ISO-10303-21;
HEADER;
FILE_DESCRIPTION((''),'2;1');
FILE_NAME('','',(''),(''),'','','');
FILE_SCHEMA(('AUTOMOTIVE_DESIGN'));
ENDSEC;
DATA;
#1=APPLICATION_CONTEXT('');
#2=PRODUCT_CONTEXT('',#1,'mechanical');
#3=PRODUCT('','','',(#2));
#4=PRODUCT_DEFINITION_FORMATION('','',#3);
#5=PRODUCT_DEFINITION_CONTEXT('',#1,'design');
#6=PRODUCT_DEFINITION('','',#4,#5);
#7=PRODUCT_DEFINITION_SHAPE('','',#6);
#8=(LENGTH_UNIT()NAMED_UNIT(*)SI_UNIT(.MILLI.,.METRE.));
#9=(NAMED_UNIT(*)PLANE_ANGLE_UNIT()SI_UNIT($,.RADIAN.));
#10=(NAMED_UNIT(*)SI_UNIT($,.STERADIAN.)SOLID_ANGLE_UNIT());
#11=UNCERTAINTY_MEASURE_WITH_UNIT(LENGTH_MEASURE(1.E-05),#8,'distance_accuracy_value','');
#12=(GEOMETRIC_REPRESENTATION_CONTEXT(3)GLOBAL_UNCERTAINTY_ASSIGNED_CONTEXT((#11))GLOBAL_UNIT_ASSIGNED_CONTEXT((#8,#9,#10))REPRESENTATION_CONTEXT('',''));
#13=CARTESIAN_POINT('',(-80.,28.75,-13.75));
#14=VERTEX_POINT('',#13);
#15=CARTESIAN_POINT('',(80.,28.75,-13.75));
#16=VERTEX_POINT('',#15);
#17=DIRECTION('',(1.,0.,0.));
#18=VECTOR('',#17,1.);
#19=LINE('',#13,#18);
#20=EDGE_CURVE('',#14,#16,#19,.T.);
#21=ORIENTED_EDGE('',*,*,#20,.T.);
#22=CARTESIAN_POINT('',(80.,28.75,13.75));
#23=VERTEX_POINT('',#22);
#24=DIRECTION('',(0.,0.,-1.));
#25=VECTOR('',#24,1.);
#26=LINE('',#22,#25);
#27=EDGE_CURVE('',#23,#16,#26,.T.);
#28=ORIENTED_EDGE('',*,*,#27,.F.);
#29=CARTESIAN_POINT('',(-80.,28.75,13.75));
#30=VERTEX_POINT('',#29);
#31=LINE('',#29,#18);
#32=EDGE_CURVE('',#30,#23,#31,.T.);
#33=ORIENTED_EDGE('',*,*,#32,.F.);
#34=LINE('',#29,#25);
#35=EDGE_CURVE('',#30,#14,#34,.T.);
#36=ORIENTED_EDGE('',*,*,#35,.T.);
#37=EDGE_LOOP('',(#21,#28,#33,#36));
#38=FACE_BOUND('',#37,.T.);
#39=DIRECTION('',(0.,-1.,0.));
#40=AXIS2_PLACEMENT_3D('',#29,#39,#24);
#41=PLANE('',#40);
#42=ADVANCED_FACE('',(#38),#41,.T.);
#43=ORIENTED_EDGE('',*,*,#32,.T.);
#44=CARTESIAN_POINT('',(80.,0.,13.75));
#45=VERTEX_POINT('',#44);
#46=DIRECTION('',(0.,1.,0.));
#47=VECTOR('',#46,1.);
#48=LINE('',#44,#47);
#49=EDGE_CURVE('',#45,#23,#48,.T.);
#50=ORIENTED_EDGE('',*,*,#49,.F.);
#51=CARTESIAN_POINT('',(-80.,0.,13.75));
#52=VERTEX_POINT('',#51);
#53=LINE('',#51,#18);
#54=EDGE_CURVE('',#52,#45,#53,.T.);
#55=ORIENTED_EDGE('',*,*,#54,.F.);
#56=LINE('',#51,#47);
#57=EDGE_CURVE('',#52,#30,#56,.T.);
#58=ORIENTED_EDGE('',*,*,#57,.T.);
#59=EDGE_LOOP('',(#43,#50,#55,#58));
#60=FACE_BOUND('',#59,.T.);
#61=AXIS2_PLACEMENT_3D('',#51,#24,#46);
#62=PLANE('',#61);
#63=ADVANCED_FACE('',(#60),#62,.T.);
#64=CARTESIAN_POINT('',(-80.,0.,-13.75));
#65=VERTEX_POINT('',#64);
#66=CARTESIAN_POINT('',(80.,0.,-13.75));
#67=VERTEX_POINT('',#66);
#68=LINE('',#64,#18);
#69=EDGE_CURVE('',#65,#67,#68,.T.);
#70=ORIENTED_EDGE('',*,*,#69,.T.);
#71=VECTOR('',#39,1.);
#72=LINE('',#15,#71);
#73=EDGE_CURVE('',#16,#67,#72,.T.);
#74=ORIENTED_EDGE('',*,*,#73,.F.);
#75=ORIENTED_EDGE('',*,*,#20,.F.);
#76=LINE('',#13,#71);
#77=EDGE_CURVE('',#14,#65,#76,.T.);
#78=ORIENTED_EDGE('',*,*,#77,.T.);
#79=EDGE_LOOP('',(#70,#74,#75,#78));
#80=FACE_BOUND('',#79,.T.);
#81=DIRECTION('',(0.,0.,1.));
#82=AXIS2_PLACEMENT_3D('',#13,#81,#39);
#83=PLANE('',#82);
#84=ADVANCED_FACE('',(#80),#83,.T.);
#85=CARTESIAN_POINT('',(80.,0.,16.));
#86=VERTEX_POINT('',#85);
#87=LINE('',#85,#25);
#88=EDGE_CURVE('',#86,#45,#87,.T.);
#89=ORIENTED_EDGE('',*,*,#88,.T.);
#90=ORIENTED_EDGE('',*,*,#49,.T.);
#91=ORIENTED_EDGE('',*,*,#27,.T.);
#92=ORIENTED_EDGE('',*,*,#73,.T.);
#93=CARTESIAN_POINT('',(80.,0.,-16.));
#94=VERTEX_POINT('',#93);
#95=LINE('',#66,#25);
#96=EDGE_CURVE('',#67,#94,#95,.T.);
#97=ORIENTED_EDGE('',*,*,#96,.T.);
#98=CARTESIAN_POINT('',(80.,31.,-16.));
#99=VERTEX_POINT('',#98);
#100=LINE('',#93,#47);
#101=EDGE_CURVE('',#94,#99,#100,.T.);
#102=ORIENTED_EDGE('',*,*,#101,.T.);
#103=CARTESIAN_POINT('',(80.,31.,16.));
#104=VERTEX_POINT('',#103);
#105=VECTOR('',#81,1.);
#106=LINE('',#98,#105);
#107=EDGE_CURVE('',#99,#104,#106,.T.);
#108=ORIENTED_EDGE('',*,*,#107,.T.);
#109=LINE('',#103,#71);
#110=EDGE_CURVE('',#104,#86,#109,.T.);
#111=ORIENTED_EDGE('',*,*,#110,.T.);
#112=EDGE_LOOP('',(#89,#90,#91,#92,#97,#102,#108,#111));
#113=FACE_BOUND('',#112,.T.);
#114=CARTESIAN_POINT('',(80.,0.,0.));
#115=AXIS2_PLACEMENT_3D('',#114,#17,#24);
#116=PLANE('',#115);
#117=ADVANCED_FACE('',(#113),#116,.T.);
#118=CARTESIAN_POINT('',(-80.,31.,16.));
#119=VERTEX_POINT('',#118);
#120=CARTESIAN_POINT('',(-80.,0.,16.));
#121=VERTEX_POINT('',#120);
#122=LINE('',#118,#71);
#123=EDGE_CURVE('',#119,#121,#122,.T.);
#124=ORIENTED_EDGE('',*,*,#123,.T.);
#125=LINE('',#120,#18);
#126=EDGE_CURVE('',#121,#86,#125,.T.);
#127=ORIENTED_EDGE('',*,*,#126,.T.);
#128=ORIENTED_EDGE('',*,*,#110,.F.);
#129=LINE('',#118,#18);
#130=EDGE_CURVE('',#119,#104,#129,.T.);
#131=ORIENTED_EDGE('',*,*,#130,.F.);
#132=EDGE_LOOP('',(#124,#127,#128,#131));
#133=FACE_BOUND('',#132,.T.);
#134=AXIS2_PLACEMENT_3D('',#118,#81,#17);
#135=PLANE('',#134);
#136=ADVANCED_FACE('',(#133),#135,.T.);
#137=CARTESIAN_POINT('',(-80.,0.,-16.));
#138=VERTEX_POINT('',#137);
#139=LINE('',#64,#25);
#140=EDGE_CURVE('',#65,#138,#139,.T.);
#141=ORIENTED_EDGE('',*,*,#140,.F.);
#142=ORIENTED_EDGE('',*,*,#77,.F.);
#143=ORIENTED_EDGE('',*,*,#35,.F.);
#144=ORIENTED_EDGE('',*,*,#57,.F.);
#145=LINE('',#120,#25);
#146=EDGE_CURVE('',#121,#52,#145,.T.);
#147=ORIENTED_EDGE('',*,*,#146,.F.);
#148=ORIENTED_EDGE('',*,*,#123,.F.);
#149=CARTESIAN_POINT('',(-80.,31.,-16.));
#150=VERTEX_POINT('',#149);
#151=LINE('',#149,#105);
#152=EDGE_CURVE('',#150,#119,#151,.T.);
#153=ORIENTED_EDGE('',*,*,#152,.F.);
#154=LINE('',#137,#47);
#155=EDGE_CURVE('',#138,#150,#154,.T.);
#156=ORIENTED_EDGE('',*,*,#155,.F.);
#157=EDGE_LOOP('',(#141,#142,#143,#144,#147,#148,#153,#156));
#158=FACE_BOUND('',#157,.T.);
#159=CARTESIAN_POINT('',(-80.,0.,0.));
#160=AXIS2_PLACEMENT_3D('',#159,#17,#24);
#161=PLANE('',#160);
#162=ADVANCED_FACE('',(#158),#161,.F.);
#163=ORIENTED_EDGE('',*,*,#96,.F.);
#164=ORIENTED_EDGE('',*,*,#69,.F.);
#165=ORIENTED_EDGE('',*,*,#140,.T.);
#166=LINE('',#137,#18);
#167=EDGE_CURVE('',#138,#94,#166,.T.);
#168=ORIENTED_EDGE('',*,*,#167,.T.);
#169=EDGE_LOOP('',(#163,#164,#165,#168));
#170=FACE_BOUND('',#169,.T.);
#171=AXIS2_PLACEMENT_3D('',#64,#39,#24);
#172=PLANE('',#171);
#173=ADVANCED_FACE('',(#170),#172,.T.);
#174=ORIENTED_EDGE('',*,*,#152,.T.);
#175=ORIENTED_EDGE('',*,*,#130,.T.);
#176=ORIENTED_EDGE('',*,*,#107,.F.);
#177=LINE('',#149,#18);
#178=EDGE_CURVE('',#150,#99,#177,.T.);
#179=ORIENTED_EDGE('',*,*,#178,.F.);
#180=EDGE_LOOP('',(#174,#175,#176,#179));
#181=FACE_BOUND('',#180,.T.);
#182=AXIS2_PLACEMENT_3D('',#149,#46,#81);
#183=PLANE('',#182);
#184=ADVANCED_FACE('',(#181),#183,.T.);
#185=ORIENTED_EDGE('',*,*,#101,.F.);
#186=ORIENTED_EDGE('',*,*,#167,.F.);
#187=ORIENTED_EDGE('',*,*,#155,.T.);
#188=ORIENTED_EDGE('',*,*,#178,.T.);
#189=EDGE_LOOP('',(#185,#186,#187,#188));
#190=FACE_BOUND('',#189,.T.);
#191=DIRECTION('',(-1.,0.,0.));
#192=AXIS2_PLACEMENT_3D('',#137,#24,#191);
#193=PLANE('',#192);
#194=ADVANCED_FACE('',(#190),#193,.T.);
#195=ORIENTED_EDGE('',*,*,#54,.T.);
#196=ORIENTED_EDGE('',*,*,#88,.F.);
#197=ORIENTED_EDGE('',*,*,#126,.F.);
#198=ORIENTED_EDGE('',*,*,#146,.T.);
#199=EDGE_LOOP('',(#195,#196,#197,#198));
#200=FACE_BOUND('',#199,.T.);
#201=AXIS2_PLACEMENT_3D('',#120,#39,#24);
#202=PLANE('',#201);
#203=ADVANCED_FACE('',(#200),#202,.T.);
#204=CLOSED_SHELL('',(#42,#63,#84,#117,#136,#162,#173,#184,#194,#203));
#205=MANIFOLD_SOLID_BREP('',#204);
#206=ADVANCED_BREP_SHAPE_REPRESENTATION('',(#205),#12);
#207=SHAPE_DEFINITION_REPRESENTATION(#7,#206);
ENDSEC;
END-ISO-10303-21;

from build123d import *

# Parameters (mm, degrees)
BOSS_EXTRUDE1_DEPTH = 160


with BuildPart() as part:
    # Sketch1 → Boss-Extrude1 (new body)
    with BuildSketch(Plane(origin=(80, 0, 0), x_dir=(0, 0, -1), z_dir=(1, 0, 0))):
        Polygon((-13.75, 0), (-13.75, 28.75), (13.75, 28.75), (13.75, 0), (16, 0), (16, 31), (-16, 31), (-16, 0), align=None)
    extrude(amount=-BOSS_EXTRUDE1_DEPTH)


solid = part.part
